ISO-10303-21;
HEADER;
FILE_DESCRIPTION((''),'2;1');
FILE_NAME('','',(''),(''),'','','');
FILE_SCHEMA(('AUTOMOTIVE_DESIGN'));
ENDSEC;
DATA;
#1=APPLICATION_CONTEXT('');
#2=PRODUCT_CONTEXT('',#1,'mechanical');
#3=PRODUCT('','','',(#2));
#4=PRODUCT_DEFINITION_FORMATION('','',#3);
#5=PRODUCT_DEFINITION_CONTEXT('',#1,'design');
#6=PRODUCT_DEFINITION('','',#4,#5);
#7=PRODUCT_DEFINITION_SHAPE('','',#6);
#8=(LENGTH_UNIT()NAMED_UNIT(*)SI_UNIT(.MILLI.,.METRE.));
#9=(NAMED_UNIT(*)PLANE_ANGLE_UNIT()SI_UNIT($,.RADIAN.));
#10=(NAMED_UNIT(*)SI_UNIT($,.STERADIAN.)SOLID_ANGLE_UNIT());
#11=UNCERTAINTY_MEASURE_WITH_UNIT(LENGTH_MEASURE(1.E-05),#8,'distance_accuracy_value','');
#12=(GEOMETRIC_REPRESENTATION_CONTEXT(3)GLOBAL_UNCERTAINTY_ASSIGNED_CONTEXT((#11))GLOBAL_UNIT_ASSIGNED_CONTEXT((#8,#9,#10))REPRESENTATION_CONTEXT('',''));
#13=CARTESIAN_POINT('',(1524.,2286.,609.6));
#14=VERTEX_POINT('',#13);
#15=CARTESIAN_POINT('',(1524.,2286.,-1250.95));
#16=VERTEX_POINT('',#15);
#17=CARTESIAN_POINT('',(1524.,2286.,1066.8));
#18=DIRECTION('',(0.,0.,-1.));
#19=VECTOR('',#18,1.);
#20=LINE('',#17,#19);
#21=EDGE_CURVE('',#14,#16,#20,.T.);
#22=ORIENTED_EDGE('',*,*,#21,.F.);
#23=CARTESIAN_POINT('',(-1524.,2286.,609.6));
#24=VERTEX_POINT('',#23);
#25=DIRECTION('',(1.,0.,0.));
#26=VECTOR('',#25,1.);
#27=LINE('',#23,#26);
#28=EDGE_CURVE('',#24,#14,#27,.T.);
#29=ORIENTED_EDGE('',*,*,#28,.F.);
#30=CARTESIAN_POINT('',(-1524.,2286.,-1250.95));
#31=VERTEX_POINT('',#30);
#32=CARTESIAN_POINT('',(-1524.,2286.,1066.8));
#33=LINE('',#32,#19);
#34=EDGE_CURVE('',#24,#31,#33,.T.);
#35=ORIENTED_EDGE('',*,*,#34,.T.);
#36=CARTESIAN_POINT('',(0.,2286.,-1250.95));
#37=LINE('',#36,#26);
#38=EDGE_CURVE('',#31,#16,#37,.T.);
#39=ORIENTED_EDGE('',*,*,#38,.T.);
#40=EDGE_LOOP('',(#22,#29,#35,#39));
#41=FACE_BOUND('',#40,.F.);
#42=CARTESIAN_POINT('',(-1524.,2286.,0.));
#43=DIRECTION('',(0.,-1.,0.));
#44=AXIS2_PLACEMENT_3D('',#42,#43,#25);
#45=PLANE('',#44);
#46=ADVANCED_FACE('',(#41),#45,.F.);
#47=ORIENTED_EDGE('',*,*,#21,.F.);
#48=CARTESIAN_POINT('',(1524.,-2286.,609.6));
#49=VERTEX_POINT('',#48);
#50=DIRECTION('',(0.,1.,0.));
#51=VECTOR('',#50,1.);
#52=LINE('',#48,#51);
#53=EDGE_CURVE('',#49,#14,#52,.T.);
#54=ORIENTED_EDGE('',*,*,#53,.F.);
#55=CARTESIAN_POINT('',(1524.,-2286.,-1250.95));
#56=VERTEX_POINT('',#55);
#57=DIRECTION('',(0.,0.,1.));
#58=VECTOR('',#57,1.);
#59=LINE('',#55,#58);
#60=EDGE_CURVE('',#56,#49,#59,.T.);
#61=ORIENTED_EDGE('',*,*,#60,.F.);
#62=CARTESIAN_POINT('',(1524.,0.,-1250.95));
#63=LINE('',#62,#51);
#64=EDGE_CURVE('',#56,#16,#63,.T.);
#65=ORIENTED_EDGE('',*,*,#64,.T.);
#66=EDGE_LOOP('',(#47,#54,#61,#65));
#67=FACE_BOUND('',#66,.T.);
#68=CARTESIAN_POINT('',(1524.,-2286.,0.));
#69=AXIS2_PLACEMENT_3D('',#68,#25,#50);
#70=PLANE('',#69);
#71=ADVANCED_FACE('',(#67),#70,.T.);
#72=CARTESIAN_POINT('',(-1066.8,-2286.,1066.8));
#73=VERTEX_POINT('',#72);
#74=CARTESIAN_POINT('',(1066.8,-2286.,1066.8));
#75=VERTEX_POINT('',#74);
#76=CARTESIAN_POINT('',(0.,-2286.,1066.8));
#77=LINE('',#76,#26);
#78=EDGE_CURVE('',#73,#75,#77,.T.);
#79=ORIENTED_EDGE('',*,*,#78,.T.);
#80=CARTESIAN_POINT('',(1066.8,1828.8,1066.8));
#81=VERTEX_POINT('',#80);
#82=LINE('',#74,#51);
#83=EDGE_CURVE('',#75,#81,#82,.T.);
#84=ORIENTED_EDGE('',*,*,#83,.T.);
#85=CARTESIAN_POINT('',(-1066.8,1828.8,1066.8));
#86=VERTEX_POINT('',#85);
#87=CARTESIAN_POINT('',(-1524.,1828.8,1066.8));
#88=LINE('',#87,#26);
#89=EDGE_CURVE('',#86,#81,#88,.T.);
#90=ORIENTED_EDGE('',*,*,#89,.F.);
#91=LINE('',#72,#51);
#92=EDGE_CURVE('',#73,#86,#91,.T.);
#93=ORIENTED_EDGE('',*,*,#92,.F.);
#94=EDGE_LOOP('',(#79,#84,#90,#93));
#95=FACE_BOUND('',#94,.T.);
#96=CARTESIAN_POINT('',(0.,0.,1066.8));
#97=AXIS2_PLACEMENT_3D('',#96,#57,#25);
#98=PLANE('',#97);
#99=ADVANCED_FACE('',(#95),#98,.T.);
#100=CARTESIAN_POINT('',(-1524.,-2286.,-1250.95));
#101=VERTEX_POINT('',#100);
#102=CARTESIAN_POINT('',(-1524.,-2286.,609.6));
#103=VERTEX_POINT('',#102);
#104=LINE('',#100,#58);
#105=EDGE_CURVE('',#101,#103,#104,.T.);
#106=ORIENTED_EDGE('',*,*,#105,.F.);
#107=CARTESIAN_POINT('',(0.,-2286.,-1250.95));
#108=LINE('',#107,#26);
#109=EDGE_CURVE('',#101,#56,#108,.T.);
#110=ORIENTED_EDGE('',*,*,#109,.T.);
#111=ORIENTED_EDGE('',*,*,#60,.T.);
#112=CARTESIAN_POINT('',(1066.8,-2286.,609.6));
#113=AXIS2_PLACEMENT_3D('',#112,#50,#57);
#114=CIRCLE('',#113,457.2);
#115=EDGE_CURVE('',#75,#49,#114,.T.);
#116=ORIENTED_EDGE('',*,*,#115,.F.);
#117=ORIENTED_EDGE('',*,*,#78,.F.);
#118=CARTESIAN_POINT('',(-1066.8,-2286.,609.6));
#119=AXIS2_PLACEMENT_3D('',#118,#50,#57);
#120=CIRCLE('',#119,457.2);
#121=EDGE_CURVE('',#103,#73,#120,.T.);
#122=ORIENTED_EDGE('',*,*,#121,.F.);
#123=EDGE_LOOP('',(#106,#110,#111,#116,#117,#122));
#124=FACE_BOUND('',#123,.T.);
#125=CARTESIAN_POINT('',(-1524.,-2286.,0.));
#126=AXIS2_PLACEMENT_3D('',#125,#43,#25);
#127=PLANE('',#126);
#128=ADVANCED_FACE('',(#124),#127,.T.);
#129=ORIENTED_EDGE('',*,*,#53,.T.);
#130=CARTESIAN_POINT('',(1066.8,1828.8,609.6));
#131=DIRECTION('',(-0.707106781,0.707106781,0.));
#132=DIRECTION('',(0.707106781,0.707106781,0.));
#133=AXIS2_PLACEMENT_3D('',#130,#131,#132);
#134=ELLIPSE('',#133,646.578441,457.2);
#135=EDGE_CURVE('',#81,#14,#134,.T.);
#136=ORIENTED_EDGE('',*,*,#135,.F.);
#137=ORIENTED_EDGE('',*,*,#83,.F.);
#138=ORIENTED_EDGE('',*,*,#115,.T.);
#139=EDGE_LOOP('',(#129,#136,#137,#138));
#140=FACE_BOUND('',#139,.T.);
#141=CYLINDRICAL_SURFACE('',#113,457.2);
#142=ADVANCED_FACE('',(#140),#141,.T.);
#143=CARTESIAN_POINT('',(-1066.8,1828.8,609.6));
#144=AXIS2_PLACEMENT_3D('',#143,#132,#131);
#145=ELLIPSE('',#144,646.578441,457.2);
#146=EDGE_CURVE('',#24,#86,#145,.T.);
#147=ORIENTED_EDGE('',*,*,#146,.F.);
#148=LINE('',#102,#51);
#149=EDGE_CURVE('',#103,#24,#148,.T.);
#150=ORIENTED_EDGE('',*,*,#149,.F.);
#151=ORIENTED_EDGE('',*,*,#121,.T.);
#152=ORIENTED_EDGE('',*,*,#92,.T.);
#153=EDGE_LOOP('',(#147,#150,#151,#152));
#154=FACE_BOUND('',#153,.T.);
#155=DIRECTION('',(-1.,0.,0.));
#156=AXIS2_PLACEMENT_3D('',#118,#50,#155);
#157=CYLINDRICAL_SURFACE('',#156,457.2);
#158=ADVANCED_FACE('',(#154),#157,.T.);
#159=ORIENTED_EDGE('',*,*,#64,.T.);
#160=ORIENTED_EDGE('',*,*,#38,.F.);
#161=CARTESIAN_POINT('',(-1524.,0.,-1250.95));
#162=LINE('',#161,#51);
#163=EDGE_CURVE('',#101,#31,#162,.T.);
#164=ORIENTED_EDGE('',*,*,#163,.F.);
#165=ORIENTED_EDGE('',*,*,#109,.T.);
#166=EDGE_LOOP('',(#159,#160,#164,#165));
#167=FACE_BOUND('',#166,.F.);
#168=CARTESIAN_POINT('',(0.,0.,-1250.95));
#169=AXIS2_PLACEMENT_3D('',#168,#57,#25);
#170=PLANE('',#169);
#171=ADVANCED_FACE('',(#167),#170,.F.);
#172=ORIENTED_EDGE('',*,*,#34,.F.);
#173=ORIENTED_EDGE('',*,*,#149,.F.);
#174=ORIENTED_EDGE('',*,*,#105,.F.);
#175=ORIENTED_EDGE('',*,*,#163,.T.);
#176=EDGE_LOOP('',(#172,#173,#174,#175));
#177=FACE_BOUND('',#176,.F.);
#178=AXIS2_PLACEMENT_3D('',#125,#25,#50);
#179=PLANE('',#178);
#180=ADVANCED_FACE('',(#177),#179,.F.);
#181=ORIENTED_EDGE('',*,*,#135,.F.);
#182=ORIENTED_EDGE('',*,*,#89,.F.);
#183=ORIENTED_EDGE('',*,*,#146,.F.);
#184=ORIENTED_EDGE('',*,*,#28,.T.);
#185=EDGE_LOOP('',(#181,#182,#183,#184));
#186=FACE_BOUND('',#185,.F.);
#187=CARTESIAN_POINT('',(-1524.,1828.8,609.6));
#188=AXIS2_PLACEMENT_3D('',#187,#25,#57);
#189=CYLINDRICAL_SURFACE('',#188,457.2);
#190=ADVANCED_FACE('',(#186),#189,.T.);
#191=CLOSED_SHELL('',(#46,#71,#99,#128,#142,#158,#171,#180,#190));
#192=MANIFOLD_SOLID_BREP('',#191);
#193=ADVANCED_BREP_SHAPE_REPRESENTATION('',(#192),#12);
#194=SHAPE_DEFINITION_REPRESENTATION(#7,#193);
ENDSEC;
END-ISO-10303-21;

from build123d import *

# Parameters (mm, degrees)
F0_W     = 3048
F0_H     = 4572
F1_DEPTH = 1066.8
F2_DEPTH = 152.4
F3_DEPTH = 25.4
F4_DEPTH = 6.35
F5_R     = 457.2


with BuildPart() as f1:
    # F0 (on Top) → F1 (new body, symmetric)
    with BuildSketch(Plane.XY):
        Rectangle(F0_W, F0_H)
    extrude(amount=F1_DEPTH, both=True)

    # F2 (add, symmetric): a face of the model
    f2_faces = [f1.faces().sort_by_distance(p)[0] for p in [
        (0, 0, -1066.8),
    ]]
    extrude(f2_faces, amount=F2_DEPTH, both=True)

    # F3 (add, symmetric): a face of the model
    f3_faces = [f1.faces().sort_by_distance(p)[0] for p in [
        (0, 0, -1219.2),
    ]]
    extrude(f3_faces, amount=F3_DEPTH, both=True)

    # F4 (add, symmetric): a face of the model
    f4_faces = [f1.faces().sort_by_distance(p)[0] for p in [
        (0, 0, -1244.6),
    ]]
    extrude(f4_faces, amount=F4_DEPTH, both=True)

    # F5
    f5_edges = [f1.edges().sort_by_distance(p)[0] for p in [
        (-1524, 0, 1066.8),
        (1524, 0, 1066.8),
        (0, 2286, 1066.8),
    ]]
    fillet(f5_edges, radius=F5_R)


solid = f1.part
